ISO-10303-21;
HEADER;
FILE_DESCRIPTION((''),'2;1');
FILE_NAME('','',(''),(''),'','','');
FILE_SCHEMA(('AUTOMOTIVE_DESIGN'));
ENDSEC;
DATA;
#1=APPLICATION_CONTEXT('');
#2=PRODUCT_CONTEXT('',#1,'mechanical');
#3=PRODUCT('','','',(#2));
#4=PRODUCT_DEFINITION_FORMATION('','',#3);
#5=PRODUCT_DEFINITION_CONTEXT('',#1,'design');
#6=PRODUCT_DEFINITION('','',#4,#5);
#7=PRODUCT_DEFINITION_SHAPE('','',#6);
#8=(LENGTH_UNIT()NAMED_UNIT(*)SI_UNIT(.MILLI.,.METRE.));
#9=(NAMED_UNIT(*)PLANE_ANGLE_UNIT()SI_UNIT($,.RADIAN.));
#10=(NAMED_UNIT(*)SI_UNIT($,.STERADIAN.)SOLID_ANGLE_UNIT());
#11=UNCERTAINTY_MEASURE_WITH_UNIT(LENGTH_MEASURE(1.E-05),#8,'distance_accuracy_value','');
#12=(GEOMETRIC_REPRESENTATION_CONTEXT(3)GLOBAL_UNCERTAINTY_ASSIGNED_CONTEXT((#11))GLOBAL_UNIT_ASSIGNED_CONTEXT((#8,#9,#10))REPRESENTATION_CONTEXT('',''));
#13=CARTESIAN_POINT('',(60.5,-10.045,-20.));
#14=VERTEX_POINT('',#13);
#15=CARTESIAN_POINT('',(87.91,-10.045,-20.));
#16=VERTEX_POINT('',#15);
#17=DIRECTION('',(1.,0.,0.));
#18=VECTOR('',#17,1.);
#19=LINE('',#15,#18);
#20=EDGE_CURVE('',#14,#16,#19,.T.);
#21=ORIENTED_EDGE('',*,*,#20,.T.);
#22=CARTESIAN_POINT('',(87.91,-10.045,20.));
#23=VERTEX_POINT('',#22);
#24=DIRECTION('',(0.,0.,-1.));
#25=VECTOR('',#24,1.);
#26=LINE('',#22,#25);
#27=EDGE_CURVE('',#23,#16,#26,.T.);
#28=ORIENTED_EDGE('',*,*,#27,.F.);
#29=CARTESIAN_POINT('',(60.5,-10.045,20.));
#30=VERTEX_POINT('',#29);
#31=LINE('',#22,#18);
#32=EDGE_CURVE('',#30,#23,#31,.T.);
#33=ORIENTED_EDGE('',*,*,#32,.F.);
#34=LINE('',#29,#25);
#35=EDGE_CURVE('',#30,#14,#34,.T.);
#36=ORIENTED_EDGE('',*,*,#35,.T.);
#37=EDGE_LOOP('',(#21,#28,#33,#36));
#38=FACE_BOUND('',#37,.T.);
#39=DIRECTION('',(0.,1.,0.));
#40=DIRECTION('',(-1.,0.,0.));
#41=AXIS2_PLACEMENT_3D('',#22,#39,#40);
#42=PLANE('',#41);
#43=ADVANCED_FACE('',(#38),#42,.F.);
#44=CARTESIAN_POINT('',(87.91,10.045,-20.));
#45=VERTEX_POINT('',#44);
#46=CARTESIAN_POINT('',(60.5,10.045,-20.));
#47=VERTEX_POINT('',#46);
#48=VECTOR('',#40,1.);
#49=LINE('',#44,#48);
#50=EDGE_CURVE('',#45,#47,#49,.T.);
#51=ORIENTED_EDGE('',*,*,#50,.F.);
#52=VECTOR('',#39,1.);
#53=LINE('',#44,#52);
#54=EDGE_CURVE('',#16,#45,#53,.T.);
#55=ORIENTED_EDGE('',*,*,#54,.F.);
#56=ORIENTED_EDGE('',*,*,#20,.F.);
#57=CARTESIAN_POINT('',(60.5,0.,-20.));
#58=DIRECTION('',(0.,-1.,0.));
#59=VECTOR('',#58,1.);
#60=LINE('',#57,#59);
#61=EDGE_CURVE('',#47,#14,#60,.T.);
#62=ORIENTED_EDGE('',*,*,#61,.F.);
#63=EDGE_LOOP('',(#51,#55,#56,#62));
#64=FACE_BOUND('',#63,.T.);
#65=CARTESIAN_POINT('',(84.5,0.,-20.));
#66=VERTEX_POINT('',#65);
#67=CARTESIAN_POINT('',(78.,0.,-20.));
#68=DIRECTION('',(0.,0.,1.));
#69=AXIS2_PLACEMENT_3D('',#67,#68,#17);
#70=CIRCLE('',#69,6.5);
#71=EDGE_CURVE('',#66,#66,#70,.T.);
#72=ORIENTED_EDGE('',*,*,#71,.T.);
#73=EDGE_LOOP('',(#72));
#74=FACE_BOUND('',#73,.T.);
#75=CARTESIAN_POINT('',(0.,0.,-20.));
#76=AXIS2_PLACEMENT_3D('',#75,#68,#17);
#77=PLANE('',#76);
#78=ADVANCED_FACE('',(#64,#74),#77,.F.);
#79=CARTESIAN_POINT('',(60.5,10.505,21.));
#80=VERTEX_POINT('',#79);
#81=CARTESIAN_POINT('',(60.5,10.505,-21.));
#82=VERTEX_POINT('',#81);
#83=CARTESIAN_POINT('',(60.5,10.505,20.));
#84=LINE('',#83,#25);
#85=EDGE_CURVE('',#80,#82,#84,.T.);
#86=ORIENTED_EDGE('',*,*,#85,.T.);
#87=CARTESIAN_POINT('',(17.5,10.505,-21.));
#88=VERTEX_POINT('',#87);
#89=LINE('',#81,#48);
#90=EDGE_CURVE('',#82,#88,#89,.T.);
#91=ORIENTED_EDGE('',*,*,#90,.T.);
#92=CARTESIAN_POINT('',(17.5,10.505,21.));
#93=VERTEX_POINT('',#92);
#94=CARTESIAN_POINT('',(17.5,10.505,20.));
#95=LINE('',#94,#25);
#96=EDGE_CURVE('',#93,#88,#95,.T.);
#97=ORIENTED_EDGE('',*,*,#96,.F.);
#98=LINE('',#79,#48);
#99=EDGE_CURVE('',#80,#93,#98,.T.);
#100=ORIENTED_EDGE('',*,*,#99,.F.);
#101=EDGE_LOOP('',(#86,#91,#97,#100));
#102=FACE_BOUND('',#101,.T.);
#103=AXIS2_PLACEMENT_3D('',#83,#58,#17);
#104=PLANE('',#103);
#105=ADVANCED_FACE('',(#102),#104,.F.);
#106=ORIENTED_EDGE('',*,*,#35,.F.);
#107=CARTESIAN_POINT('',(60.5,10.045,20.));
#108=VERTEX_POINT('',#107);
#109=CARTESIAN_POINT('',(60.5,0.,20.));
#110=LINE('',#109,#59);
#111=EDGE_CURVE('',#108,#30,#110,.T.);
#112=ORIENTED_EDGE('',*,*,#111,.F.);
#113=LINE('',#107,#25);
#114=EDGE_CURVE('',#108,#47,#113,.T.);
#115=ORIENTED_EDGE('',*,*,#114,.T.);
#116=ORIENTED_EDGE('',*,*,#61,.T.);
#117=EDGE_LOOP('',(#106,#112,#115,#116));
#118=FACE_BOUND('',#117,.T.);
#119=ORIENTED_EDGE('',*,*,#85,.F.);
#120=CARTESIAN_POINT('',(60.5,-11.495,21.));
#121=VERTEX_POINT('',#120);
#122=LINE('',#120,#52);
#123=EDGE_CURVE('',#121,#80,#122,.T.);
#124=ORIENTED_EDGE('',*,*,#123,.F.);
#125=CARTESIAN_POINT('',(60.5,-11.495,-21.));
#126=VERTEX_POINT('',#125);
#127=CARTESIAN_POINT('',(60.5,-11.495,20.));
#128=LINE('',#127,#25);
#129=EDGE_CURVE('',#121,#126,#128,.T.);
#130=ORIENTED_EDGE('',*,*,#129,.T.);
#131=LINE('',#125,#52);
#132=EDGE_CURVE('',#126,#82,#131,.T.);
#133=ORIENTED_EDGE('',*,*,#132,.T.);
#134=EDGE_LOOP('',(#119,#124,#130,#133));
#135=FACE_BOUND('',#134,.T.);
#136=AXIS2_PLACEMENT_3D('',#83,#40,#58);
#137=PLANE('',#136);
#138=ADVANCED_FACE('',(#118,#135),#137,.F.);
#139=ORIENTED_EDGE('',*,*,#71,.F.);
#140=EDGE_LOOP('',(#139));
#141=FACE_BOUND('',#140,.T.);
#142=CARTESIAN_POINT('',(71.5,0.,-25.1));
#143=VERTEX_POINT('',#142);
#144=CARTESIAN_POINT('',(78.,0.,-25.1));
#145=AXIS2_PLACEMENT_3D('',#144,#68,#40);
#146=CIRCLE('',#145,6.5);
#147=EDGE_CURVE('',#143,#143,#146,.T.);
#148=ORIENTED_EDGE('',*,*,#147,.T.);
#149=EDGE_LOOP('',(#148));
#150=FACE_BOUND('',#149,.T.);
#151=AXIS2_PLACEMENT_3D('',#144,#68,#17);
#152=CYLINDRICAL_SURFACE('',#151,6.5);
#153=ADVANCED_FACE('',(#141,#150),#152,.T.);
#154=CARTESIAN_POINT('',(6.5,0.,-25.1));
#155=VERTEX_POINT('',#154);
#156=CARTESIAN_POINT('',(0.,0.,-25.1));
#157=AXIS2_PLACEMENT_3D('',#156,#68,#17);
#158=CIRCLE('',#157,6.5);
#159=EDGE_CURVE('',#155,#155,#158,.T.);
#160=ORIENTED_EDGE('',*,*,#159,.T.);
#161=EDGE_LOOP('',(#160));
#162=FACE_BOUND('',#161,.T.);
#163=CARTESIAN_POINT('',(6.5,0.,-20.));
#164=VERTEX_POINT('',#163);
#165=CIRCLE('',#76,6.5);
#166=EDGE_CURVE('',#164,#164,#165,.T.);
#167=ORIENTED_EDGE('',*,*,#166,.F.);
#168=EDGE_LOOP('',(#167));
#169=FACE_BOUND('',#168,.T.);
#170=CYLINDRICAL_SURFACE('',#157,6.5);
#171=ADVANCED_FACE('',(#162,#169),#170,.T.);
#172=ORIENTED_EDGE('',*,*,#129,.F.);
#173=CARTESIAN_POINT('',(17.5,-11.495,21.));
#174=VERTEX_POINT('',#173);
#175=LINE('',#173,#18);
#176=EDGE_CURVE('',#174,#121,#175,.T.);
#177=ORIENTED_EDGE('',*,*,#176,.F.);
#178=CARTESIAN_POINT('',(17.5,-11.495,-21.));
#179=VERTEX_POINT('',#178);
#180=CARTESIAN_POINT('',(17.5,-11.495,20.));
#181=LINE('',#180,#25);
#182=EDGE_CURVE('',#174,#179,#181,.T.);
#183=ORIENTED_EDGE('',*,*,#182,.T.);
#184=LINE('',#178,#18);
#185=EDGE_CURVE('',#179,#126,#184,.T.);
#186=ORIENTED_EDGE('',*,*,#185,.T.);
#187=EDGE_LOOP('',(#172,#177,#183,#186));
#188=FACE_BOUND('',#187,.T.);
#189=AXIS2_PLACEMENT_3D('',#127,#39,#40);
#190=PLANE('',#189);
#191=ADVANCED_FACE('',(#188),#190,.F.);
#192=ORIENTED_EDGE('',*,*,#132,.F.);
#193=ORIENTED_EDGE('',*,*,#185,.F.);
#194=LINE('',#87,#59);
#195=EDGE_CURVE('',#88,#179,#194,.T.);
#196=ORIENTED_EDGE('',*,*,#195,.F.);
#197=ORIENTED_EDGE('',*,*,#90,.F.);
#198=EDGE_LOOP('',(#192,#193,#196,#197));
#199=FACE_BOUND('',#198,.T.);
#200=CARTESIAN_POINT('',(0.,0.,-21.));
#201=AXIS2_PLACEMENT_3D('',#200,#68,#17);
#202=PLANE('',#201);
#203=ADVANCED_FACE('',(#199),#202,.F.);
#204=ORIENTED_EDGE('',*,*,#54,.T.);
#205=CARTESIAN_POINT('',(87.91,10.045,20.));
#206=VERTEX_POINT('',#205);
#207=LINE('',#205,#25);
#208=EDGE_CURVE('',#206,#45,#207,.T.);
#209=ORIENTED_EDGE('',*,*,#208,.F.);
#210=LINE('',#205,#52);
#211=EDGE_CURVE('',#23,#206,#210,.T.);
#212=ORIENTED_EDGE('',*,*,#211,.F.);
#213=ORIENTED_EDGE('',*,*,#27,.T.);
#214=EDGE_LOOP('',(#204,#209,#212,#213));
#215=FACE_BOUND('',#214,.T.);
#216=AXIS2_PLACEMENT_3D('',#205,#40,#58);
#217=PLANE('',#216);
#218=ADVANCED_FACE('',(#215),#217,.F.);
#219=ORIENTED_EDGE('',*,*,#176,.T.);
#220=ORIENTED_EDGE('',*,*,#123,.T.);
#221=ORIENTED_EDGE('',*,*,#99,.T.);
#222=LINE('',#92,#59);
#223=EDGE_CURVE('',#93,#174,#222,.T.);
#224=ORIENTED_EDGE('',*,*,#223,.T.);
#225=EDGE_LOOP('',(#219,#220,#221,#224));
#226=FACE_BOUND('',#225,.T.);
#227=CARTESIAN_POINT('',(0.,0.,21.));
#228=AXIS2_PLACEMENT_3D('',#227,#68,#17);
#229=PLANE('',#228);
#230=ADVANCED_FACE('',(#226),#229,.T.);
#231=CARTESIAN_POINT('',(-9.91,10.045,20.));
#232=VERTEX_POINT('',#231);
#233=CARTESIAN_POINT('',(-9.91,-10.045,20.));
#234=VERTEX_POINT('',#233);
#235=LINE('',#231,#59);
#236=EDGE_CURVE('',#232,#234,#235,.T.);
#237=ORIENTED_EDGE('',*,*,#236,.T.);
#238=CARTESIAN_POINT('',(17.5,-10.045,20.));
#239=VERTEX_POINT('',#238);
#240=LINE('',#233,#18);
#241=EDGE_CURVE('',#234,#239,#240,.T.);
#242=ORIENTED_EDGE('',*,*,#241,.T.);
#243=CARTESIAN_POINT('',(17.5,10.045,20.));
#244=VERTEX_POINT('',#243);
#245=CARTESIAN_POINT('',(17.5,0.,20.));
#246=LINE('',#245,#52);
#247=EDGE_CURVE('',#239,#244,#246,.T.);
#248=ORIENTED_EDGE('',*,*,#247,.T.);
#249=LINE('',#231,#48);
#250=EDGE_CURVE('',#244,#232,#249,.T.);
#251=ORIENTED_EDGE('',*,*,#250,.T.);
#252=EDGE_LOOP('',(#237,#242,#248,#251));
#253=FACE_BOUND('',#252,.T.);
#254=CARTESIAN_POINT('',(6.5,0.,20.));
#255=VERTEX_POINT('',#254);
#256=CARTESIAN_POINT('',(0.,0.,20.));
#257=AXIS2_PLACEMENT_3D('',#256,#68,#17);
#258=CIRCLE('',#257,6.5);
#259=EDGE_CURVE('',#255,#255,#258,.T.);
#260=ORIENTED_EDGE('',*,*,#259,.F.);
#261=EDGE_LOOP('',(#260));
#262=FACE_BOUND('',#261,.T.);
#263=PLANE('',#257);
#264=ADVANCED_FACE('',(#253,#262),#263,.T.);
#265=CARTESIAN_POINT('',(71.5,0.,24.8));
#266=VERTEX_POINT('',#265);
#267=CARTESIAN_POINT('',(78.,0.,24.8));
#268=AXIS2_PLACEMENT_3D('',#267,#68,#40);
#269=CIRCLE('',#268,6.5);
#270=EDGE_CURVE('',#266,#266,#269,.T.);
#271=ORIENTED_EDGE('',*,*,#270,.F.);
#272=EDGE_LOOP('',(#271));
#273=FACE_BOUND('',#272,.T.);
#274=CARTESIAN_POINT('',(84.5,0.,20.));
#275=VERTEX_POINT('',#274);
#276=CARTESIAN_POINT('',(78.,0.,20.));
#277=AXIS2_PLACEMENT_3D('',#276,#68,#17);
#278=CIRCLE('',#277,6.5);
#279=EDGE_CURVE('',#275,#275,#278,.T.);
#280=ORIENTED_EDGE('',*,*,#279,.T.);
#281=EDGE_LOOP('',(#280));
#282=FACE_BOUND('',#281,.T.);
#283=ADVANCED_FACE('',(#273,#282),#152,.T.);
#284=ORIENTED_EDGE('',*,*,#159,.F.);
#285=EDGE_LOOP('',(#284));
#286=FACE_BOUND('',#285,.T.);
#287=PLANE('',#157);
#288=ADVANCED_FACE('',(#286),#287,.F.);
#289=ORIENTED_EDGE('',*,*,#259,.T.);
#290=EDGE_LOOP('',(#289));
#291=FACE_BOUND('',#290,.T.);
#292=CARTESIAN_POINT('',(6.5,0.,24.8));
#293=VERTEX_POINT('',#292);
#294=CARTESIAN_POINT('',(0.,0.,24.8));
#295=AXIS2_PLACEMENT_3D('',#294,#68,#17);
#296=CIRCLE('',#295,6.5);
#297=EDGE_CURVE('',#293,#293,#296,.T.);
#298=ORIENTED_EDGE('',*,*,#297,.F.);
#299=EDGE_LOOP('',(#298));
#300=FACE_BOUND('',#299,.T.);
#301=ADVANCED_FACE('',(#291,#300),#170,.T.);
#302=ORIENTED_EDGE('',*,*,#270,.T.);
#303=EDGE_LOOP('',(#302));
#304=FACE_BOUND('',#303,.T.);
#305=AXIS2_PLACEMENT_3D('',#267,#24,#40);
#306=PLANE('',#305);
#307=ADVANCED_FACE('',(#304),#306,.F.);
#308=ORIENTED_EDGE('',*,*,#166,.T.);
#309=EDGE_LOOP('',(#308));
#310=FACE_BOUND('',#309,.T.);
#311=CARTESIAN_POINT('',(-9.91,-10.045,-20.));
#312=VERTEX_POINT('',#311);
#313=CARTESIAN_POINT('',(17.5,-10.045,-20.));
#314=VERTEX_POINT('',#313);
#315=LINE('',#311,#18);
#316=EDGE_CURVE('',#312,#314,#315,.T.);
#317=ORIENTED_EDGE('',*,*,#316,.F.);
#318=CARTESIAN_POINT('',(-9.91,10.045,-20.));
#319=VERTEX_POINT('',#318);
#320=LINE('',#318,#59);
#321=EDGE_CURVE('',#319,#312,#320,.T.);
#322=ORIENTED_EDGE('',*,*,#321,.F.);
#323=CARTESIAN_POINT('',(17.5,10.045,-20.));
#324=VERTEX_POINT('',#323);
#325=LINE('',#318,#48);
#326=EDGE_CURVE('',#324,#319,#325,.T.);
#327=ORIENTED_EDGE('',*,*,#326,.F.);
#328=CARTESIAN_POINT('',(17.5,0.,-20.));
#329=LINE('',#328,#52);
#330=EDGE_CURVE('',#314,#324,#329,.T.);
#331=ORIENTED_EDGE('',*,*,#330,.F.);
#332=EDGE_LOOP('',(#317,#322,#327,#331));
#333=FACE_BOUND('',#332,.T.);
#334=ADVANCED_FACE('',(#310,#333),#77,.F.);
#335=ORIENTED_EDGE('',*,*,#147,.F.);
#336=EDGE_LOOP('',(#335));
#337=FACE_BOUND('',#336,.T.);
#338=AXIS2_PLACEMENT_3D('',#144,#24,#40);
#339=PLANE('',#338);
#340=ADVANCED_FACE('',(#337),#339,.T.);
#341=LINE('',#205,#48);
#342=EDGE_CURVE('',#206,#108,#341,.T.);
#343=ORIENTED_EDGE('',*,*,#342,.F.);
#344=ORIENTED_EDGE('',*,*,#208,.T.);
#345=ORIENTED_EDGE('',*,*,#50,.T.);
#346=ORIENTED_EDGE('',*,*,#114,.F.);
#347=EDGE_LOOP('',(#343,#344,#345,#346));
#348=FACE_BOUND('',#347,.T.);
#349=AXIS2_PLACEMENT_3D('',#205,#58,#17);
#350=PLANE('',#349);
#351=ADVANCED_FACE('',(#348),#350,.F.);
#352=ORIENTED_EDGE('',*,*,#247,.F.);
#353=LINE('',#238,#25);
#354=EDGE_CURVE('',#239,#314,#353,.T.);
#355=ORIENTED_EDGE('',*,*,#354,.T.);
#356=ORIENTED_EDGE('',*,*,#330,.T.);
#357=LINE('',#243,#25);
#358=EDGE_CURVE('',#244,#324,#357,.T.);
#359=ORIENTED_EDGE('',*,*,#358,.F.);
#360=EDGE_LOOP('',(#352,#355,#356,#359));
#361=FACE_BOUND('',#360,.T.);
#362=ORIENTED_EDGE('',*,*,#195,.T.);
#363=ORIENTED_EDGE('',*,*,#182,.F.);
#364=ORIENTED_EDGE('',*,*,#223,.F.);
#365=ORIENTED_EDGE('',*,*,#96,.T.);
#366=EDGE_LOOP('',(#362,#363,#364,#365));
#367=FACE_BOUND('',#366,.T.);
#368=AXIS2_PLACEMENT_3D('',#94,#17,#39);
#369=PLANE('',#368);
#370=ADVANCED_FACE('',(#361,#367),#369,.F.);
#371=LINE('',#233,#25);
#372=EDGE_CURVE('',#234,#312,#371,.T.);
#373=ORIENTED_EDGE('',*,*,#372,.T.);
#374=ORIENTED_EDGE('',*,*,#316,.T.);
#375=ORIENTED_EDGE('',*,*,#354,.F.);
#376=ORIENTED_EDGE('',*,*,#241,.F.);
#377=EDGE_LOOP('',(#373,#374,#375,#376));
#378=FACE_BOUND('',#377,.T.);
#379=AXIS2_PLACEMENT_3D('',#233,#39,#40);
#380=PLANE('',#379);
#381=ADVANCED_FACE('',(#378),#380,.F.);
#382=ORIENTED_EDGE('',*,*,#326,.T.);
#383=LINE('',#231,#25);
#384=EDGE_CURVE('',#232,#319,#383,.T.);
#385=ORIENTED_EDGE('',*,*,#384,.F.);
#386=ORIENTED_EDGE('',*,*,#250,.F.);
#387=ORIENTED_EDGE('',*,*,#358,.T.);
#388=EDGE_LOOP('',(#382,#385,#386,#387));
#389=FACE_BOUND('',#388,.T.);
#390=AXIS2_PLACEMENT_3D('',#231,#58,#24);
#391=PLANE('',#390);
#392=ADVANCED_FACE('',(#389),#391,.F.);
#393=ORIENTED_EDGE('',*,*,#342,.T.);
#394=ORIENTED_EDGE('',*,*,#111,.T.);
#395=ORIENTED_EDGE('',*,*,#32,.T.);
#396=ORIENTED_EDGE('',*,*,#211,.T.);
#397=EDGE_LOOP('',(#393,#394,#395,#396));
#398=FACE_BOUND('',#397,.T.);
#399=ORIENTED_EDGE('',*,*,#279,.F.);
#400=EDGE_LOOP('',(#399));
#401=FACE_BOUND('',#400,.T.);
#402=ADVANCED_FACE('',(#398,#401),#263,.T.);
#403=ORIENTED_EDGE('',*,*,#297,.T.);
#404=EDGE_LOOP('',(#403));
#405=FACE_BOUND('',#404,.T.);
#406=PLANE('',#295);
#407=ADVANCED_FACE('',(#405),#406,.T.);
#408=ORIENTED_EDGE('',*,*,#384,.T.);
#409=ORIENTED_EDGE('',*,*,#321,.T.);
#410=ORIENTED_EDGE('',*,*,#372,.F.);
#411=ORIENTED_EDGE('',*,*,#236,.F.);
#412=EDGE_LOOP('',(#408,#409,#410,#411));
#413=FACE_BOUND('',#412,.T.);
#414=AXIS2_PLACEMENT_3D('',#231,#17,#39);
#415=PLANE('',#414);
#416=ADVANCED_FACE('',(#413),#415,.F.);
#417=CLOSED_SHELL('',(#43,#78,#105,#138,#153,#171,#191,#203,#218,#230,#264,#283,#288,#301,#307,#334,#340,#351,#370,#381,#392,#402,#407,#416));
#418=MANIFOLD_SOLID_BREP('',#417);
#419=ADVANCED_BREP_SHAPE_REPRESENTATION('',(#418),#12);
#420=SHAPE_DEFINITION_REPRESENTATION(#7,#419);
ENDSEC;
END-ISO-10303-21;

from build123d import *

# Parameters (mm, degrees)
EXTRUDE_1_DEPTH      = 20
SKETCH_2_W           = 43
SKETCH_2_H           = 22
EXTRUDE_2_DEPTH      = 21
SKETCH_3_R           = 6.5
EXTRUDE_4_DEPTH      = 24.8
EXTRUDE_4_DEPTH_BACK = 25.1


with BuildPart() as part:
    # Эскиз1 → Бобышка-Вытянуть1 (new body, symmetric)
    with BuildSketch(Plane.XY):
        Polygon((17.5, -10.045), (17.5, -11.495), (60.5, -11.495), (60.5, -10.045), (87.91, -10.045), (87.91, 10.045), (60.5, 10.045), (60.5, 10.505), (17.5, 10.505), (17.5, 10.045), (-9.91, 10.045), (-9.91, -10.045), align=None)
    extrude(amount=EXTRUDE_1_DEPTH, both=True)

    # Эскиз2 → Бобышка-Вытянуть2 (add, symmetric)
    with BuildSketch(Plane.XY):
        with Locations((39, -0.495)):
            Rectangle(SKETCH_2_W, SKETCH_2_H)
    extrude(amount=EXTRUDE_2_DEPTH, both=True)

    # Эскиз3 → Бобышка-Вытянуть4 (add, two sides)
    with BuildSketch(Plane.XY) as extrude_4_sk:
        Circle(SKETCH_3_R)
        with Locations((78, 0)):
            Circle(SKETCH_3_R)
    extrude(amount=EXTRUDE_4_DEPTH)
    extrude(extrude_4_sk.sketch, amount=-EXTRUDE_4_DEPTH_BACK)


solid = part.part
